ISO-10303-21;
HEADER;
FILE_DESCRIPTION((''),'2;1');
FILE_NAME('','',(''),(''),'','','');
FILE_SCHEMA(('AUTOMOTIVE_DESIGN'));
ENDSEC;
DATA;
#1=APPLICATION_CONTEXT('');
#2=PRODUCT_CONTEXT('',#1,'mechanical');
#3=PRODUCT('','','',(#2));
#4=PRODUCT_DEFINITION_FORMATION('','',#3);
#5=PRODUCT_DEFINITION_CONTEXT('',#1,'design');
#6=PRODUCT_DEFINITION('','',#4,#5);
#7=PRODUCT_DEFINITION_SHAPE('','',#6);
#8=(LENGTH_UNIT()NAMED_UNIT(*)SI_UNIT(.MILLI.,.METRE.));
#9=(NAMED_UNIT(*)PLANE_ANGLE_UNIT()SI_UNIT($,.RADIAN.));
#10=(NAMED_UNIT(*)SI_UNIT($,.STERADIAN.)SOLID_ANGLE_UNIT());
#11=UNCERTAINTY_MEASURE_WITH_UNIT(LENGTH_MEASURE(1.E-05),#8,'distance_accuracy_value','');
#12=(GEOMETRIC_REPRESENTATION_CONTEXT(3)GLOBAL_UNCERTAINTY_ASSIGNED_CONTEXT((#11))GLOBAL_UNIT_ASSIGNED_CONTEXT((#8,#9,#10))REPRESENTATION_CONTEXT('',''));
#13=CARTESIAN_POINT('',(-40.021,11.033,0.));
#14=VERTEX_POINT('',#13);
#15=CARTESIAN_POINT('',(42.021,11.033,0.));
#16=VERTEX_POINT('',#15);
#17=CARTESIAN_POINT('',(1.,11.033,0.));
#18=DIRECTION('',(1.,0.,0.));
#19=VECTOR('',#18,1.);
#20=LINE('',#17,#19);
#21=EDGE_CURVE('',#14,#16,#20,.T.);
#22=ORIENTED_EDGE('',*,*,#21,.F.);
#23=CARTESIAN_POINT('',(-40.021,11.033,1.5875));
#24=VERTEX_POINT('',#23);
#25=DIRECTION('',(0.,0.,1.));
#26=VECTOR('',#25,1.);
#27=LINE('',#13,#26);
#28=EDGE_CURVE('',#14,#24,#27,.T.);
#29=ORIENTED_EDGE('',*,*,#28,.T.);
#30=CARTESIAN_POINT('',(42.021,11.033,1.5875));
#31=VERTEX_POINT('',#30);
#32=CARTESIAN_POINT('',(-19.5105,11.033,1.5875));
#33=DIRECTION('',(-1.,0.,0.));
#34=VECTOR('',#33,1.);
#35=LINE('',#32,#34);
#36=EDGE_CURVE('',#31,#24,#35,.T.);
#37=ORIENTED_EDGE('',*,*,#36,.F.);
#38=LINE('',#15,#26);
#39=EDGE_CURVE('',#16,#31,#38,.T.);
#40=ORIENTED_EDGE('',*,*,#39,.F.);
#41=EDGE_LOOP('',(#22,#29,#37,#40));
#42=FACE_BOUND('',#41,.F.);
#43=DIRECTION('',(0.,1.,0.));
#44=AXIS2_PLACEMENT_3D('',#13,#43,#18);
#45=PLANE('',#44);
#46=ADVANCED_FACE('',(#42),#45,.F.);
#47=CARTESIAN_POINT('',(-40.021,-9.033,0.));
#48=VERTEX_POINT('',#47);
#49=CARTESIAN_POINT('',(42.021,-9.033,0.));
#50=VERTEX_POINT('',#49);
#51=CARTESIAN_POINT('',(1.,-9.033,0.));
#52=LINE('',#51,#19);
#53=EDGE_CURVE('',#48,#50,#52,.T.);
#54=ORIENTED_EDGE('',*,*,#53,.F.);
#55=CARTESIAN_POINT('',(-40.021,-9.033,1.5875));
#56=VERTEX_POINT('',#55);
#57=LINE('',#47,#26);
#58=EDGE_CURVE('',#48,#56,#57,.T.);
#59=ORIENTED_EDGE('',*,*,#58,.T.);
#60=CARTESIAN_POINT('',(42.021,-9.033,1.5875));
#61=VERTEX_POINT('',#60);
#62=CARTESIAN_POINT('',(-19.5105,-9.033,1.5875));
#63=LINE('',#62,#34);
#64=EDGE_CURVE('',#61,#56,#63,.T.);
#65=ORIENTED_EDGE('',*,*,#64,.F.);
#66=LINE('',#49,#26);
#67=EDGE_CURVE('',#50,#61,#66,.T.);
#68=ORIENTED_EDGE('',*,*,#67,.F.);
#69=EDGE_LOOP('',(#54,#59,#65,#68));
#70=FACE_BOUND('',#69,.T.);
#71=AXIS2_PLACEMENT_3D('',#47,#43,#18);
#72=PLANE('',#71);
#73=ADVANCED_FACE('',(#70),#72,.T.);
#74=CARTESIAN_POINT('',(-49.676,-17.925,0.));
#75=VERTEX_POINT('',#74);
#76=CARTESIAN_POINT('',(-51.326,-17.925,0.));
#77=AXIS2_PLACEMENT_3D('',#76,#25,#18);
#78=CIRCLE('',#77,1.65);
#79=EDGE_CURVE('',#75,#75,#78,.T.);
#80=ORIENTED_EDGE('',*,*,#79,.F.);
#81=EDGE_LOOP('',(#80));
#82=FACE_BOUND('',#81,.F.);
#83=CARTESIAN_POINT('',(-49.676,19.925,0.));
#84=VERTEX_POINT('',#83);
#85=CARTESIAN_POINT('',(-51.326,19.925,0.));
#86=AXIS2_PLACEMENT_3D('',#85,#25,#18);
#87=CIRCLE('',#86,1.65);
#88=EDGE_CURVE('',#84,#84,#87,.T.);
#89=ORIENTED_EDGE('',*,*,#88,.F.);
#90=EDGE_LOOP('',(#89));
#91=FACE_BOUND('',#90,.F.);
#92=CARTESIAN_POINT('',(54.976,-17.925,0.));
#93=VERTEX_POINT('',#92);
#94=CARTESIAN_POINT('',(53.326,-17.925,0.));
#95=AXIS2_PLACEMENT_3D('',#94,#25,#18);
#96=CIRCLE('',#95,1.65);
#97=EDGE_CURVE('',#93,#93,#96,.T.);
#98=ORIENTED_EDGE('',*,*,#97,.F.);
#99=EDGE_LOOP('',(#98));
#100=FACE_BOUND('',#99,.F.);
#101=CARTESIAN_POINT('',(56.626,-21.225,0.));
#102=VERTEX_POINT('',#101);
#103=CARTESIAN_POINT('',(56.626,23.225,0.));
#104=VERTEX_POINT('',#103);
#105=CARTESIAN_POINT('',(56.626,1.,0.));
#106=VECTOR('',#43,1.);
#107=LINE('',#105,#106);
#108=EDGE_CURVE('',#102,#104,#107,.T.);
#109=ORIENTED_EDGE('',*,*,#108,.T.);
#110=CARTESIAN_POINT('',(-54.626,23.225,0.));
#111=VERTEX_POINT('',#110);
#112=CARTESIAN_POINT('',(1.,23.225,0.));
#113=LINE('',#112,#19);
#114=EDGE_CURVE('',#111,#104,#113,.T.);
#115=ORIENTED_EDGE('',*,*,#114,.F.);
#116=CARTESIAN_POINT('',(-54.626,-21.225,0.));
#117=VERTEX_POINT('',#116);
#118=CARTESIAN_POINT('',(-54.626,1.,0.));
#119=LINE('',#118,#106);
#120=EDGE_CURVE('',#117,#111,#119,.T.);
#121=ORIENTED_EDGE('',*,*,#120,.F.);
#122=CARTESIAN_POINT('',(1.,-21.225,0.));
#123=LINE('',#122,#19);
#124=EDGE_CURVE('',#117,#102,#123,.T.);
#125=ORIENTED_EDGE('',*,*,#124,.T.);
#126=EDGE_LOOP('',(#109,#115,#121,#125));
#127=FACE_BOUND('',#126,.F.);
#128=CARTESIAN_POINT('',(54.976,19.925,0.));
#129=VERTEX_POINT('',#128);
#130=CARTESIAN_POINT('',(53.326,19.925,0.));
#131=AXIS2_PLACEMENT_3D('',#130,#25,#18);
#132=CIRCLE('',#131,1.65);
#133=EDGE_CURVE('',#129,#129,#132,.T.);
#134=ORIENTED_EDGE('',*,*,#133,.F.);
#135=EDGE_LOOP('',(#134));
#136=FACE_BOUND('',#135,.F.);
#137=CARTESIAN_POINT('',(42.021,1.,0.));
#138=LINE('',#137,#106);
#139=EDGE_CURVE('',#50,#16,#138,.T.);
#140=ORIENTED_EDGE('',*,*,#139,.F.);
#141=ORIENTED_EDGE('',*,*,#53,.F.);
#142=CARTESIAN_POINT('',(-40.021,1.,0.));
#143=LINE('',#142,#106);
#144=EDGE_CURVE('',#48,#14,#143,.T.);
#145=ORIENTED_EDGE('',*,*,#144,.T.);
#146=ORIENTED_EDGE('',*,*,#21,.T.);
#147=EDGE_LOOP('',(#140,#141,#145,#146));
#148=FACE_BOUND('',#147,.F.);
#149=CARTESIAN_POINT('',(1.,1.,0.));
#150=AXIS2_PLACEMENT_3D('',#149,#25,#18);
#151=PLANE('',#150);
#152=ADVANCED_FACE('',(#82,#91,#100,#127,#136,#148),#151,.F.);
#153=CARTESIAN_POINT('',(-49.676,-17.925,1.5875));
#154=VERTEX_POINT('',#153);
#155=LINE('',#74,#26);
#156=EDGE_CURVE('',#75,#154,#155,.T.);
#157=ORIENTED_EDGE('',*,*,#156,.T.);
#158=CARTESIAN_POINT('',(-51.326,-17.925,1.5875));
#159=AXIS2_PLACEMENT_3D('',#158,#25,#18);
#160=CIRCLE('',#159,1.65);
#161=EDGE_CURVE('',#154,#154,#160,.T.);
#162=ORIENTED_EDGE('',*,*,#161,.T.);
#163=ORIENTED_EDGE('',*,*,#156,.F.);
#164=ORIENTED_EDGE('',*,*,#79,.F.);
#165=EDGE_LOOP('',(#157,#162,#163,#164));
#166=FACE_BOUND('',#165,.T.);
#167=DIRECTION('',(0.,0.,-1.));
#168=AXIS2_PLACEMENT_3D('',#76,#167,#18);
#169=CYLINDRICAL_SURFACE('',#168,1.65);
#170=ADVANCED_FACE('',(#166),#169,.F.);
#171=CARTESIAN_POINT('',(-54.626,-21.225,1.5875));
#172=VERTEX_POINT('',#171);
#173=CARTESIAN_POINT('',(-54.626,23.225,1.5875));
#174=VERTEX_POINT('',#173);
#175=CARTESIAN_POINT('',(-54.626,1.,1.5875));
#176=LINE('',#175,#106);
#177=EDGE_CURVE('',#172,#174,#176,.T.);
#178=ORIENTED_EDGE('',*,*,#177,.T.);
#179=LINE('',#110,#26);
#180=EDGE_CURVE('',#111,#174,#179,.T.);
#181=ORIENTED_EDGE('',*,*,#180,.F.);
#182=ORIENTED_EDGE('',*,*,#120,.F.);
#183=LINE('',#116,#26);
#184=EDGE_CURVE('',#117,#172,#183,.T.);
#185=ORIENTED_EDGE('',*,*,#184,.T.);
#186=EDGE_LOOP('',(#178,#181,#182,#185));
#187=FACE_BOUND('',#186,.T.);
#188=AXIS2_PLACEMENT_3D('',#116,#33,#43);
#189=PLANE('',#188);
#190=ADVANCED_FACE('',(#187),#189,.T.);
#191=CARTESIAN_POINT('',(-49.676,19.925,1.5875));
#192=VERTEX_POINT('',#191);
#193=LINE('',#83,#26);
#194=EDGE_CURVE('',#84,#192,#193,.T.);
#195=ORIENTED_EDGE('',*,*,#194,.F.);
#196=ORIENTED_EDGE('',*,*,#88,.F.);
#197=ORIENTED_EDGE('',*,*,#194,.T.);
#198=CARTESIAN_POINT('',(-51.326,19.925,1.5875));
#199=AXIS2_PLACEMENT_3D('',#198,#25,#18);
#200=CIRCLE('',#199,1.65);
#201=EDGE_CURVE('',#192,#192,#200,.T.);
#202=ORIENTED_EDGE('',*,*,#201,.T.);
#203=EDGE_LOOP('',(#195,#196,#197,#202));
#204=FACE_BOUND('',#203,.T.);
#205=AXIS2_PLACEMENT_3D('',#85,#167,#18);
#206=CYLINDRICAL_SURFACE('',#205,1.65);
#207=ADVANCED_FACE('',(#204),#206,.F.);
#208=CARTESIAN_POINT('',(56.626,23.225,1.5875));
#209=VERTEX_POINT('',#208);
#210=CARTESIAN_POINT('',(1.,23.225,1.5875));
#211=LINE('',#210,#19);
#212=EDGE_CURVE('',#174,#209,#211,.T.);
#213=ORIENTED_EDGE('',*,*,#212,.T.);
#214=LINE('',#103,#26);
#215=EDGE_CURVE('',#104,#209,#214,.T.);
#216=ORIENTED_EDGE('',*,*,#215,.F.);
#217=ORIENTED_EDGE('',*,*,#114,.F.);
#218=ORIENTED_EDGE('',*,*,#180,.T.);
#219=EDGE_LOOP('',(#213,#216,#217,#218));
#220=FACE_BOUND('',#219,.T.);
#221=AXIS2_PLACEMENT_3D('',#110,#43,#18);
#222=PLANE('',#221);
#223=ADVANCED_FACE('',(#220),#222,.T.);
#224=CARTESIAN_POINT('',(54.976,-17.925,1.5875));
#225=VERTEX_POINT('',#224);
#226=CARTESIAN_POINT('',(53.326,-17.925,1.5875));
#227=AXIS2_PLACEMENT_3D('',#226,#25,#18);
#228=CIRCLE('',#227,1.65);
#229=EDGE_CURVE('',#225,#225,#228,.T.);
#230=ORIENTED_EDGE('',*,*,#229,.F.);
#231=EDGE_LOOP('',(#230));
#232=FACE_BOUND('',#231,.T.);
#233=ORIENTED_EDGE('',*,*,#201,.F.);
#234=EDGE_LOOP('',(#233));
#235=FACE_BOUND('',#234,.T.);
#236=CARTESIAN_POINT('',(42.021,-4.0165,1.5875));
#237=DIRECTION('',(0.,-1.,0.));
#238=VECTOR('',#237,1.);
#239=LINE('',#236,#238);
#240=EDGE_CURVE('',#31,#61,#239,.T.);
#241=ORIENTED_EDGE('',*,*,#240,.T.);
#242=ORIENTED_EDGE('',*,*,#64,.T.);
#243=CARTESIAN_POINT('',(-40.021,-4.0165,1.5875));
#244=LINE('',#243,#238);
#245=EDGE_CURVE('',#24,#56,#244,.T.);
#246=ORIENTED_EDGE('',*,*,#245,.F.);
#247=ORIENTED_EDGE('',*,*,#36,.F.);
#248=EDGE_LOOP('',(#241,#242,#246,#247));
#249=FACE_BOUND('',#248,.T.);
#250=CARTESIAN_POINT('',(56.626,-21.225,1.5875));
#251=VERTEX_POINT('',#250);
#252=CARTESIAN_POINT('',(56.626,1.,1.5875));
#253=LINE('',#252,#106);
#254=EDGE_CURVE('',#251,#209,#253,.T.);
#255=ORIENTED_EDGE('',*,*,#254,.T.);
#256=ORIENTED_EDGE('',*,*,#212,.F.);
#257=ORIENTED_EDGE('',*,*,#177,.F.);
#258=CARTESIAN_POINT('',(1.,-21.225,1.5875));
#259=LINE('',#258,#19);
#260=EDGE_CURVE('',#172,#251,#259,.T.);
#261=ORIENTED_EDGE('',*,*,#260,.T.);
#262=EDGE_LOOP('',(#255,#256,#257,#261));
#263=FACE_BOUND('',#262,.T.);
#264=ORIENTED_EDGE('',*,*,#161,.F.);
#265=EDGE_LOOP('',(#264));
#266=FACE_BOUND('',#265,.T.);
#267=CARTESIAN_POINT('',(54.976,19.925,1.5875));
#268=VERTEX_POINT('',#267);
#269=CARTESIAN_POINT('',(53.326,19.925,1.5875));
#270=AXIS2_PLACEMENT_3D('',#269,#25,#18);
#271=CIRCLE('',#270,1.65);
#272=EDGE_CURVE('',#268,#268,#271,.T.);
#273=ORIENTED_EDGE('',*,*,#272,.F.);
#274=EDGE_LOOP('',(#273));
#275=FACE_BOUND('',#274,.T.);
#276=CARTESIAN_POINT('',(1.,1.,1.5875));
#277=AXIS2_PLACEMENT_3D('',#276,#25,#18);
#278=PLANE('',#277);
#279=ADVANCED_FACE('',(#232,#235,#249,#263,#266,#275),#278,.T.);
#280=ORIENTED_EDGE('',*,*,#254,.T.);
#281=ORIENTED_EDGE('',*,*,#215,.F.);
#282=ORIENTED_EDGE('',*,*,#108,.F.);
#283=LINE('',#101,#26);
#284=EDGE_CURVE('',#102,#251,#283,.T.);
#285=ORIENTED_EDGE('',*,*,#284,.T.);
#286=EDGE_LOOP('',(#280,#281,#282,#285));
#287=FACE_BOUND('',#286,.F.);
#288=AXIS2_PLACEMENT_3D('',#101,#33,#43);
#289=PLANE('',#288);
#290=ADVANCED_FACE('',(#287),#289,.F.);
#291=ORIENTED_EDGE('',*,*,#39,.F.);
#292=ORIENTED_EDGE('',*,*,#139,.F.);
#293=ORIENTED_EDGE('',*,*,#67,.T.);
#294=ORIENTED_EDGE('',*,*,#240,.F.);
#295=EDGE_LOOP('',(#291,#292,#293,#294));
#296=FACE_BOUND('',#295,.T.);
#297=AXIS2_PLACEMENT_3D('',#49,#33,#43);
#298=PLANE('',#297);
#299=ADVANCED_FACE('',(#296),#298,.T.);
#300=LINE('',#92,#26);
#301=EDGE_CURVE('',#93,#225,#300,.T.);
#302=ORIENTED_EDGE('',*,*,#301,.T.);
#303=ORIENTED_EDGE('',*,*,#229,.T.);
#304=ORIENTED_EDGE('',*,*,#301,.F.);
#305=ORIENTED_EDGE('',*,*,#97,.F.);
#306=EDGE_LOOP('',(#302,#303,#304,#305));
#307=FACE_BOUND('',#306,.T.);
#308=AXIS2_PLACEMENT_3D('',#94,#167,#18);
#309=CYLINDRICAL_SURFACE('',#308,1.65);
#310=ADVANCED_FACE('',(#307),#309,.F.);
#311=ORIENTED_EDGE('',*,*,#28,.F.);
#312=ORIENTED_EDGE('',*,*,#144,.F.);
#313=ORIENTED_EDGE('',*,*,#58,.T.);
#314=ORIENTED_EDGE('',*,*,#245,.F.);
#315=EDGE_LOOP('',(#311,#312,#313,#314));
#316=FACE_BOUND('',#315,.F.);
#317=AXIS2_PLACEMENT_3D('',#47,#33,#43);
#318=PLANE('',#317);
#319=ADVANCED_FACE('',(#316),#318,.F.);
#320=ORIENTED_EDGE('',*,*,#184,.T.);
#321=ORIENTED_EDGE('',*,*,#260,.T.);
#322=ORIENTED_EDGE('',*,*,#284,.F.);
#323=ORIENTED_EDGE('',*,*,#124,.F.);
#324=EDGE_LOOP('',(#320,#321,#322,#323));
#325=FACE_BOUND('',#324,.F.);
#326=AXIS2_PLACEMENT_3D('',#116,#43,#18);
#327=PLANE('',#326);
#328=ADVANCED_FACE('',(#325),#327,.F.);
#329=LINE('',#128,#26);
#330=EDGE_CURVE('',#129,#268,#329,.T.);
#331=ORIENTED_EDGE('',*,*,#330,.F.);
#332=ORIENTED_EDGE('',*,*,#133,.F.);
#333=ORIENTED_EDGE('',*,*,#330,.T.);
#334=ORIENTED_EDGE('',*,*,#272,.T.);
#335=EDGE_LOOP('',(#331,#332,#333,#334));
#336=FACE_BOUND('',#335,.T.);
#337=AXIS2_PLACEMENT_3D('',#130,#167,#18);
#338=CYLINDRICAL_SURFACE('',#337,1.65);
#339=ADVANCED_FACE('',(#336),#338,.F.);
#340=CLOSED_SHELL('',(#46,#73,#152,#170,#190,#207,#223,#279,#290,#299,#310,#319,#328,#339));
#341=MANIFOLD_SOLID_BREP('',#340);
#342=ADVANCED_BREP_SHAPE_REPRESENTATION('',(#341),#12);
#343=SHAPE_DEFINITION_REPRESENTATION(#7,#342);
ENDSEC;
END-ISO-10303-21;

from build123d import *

# Parameters (mm, degrees)
SKETCH_W     = 111.252
SKETCH_H     = 44.45
SKETCH_R     = 1.65
PAD_DEPTH    = 1.5875
SKETCH001_R  = 1.65
SKETCH001_W  = 82.042
SKETCH001_H  = 20.066
POCKET_DEPTH = 1.5885


with BuildPart() as part:
    # Sketch → Pad (new body)
    with BuildSketch(Plane.XY):
        with Locations((1, 1)):
            Rectangle(SKETCH_W, SKETCH_H)
        with Locations((-51.326, 19.925)):
            Circle(SKETCH_R, mode=Mode.SUBTRACT)
        with Locations((53.326, -17.925)):
            Circle(SKETCH_R, mode=Mode.SUBTRACT)
        with Locations((53.326, 19.925)):
            Circle(SKETCH_R, mode=Mode.SUBTRACT)
        with Locations((-51.326, -17.925)):
            Circle(SKETCH_R, mode=Mode.SUBTRACT)
    extrude(amount=PAD_DEPTH)

    # Sketch001 → Pocket (cut, through all)
    with BuildSketch(Plane.XY):
        with Locations((-51.326, 19.925)):
            Circle(SKETCH001_R)
        with Locations((1, 1)):
            Rectangle(SKETCH001_W, SKETCH001_H)
    extrude(amount=POCKET_DEPTH, mode=Mode.SUBTRACT)


solid = part.part
